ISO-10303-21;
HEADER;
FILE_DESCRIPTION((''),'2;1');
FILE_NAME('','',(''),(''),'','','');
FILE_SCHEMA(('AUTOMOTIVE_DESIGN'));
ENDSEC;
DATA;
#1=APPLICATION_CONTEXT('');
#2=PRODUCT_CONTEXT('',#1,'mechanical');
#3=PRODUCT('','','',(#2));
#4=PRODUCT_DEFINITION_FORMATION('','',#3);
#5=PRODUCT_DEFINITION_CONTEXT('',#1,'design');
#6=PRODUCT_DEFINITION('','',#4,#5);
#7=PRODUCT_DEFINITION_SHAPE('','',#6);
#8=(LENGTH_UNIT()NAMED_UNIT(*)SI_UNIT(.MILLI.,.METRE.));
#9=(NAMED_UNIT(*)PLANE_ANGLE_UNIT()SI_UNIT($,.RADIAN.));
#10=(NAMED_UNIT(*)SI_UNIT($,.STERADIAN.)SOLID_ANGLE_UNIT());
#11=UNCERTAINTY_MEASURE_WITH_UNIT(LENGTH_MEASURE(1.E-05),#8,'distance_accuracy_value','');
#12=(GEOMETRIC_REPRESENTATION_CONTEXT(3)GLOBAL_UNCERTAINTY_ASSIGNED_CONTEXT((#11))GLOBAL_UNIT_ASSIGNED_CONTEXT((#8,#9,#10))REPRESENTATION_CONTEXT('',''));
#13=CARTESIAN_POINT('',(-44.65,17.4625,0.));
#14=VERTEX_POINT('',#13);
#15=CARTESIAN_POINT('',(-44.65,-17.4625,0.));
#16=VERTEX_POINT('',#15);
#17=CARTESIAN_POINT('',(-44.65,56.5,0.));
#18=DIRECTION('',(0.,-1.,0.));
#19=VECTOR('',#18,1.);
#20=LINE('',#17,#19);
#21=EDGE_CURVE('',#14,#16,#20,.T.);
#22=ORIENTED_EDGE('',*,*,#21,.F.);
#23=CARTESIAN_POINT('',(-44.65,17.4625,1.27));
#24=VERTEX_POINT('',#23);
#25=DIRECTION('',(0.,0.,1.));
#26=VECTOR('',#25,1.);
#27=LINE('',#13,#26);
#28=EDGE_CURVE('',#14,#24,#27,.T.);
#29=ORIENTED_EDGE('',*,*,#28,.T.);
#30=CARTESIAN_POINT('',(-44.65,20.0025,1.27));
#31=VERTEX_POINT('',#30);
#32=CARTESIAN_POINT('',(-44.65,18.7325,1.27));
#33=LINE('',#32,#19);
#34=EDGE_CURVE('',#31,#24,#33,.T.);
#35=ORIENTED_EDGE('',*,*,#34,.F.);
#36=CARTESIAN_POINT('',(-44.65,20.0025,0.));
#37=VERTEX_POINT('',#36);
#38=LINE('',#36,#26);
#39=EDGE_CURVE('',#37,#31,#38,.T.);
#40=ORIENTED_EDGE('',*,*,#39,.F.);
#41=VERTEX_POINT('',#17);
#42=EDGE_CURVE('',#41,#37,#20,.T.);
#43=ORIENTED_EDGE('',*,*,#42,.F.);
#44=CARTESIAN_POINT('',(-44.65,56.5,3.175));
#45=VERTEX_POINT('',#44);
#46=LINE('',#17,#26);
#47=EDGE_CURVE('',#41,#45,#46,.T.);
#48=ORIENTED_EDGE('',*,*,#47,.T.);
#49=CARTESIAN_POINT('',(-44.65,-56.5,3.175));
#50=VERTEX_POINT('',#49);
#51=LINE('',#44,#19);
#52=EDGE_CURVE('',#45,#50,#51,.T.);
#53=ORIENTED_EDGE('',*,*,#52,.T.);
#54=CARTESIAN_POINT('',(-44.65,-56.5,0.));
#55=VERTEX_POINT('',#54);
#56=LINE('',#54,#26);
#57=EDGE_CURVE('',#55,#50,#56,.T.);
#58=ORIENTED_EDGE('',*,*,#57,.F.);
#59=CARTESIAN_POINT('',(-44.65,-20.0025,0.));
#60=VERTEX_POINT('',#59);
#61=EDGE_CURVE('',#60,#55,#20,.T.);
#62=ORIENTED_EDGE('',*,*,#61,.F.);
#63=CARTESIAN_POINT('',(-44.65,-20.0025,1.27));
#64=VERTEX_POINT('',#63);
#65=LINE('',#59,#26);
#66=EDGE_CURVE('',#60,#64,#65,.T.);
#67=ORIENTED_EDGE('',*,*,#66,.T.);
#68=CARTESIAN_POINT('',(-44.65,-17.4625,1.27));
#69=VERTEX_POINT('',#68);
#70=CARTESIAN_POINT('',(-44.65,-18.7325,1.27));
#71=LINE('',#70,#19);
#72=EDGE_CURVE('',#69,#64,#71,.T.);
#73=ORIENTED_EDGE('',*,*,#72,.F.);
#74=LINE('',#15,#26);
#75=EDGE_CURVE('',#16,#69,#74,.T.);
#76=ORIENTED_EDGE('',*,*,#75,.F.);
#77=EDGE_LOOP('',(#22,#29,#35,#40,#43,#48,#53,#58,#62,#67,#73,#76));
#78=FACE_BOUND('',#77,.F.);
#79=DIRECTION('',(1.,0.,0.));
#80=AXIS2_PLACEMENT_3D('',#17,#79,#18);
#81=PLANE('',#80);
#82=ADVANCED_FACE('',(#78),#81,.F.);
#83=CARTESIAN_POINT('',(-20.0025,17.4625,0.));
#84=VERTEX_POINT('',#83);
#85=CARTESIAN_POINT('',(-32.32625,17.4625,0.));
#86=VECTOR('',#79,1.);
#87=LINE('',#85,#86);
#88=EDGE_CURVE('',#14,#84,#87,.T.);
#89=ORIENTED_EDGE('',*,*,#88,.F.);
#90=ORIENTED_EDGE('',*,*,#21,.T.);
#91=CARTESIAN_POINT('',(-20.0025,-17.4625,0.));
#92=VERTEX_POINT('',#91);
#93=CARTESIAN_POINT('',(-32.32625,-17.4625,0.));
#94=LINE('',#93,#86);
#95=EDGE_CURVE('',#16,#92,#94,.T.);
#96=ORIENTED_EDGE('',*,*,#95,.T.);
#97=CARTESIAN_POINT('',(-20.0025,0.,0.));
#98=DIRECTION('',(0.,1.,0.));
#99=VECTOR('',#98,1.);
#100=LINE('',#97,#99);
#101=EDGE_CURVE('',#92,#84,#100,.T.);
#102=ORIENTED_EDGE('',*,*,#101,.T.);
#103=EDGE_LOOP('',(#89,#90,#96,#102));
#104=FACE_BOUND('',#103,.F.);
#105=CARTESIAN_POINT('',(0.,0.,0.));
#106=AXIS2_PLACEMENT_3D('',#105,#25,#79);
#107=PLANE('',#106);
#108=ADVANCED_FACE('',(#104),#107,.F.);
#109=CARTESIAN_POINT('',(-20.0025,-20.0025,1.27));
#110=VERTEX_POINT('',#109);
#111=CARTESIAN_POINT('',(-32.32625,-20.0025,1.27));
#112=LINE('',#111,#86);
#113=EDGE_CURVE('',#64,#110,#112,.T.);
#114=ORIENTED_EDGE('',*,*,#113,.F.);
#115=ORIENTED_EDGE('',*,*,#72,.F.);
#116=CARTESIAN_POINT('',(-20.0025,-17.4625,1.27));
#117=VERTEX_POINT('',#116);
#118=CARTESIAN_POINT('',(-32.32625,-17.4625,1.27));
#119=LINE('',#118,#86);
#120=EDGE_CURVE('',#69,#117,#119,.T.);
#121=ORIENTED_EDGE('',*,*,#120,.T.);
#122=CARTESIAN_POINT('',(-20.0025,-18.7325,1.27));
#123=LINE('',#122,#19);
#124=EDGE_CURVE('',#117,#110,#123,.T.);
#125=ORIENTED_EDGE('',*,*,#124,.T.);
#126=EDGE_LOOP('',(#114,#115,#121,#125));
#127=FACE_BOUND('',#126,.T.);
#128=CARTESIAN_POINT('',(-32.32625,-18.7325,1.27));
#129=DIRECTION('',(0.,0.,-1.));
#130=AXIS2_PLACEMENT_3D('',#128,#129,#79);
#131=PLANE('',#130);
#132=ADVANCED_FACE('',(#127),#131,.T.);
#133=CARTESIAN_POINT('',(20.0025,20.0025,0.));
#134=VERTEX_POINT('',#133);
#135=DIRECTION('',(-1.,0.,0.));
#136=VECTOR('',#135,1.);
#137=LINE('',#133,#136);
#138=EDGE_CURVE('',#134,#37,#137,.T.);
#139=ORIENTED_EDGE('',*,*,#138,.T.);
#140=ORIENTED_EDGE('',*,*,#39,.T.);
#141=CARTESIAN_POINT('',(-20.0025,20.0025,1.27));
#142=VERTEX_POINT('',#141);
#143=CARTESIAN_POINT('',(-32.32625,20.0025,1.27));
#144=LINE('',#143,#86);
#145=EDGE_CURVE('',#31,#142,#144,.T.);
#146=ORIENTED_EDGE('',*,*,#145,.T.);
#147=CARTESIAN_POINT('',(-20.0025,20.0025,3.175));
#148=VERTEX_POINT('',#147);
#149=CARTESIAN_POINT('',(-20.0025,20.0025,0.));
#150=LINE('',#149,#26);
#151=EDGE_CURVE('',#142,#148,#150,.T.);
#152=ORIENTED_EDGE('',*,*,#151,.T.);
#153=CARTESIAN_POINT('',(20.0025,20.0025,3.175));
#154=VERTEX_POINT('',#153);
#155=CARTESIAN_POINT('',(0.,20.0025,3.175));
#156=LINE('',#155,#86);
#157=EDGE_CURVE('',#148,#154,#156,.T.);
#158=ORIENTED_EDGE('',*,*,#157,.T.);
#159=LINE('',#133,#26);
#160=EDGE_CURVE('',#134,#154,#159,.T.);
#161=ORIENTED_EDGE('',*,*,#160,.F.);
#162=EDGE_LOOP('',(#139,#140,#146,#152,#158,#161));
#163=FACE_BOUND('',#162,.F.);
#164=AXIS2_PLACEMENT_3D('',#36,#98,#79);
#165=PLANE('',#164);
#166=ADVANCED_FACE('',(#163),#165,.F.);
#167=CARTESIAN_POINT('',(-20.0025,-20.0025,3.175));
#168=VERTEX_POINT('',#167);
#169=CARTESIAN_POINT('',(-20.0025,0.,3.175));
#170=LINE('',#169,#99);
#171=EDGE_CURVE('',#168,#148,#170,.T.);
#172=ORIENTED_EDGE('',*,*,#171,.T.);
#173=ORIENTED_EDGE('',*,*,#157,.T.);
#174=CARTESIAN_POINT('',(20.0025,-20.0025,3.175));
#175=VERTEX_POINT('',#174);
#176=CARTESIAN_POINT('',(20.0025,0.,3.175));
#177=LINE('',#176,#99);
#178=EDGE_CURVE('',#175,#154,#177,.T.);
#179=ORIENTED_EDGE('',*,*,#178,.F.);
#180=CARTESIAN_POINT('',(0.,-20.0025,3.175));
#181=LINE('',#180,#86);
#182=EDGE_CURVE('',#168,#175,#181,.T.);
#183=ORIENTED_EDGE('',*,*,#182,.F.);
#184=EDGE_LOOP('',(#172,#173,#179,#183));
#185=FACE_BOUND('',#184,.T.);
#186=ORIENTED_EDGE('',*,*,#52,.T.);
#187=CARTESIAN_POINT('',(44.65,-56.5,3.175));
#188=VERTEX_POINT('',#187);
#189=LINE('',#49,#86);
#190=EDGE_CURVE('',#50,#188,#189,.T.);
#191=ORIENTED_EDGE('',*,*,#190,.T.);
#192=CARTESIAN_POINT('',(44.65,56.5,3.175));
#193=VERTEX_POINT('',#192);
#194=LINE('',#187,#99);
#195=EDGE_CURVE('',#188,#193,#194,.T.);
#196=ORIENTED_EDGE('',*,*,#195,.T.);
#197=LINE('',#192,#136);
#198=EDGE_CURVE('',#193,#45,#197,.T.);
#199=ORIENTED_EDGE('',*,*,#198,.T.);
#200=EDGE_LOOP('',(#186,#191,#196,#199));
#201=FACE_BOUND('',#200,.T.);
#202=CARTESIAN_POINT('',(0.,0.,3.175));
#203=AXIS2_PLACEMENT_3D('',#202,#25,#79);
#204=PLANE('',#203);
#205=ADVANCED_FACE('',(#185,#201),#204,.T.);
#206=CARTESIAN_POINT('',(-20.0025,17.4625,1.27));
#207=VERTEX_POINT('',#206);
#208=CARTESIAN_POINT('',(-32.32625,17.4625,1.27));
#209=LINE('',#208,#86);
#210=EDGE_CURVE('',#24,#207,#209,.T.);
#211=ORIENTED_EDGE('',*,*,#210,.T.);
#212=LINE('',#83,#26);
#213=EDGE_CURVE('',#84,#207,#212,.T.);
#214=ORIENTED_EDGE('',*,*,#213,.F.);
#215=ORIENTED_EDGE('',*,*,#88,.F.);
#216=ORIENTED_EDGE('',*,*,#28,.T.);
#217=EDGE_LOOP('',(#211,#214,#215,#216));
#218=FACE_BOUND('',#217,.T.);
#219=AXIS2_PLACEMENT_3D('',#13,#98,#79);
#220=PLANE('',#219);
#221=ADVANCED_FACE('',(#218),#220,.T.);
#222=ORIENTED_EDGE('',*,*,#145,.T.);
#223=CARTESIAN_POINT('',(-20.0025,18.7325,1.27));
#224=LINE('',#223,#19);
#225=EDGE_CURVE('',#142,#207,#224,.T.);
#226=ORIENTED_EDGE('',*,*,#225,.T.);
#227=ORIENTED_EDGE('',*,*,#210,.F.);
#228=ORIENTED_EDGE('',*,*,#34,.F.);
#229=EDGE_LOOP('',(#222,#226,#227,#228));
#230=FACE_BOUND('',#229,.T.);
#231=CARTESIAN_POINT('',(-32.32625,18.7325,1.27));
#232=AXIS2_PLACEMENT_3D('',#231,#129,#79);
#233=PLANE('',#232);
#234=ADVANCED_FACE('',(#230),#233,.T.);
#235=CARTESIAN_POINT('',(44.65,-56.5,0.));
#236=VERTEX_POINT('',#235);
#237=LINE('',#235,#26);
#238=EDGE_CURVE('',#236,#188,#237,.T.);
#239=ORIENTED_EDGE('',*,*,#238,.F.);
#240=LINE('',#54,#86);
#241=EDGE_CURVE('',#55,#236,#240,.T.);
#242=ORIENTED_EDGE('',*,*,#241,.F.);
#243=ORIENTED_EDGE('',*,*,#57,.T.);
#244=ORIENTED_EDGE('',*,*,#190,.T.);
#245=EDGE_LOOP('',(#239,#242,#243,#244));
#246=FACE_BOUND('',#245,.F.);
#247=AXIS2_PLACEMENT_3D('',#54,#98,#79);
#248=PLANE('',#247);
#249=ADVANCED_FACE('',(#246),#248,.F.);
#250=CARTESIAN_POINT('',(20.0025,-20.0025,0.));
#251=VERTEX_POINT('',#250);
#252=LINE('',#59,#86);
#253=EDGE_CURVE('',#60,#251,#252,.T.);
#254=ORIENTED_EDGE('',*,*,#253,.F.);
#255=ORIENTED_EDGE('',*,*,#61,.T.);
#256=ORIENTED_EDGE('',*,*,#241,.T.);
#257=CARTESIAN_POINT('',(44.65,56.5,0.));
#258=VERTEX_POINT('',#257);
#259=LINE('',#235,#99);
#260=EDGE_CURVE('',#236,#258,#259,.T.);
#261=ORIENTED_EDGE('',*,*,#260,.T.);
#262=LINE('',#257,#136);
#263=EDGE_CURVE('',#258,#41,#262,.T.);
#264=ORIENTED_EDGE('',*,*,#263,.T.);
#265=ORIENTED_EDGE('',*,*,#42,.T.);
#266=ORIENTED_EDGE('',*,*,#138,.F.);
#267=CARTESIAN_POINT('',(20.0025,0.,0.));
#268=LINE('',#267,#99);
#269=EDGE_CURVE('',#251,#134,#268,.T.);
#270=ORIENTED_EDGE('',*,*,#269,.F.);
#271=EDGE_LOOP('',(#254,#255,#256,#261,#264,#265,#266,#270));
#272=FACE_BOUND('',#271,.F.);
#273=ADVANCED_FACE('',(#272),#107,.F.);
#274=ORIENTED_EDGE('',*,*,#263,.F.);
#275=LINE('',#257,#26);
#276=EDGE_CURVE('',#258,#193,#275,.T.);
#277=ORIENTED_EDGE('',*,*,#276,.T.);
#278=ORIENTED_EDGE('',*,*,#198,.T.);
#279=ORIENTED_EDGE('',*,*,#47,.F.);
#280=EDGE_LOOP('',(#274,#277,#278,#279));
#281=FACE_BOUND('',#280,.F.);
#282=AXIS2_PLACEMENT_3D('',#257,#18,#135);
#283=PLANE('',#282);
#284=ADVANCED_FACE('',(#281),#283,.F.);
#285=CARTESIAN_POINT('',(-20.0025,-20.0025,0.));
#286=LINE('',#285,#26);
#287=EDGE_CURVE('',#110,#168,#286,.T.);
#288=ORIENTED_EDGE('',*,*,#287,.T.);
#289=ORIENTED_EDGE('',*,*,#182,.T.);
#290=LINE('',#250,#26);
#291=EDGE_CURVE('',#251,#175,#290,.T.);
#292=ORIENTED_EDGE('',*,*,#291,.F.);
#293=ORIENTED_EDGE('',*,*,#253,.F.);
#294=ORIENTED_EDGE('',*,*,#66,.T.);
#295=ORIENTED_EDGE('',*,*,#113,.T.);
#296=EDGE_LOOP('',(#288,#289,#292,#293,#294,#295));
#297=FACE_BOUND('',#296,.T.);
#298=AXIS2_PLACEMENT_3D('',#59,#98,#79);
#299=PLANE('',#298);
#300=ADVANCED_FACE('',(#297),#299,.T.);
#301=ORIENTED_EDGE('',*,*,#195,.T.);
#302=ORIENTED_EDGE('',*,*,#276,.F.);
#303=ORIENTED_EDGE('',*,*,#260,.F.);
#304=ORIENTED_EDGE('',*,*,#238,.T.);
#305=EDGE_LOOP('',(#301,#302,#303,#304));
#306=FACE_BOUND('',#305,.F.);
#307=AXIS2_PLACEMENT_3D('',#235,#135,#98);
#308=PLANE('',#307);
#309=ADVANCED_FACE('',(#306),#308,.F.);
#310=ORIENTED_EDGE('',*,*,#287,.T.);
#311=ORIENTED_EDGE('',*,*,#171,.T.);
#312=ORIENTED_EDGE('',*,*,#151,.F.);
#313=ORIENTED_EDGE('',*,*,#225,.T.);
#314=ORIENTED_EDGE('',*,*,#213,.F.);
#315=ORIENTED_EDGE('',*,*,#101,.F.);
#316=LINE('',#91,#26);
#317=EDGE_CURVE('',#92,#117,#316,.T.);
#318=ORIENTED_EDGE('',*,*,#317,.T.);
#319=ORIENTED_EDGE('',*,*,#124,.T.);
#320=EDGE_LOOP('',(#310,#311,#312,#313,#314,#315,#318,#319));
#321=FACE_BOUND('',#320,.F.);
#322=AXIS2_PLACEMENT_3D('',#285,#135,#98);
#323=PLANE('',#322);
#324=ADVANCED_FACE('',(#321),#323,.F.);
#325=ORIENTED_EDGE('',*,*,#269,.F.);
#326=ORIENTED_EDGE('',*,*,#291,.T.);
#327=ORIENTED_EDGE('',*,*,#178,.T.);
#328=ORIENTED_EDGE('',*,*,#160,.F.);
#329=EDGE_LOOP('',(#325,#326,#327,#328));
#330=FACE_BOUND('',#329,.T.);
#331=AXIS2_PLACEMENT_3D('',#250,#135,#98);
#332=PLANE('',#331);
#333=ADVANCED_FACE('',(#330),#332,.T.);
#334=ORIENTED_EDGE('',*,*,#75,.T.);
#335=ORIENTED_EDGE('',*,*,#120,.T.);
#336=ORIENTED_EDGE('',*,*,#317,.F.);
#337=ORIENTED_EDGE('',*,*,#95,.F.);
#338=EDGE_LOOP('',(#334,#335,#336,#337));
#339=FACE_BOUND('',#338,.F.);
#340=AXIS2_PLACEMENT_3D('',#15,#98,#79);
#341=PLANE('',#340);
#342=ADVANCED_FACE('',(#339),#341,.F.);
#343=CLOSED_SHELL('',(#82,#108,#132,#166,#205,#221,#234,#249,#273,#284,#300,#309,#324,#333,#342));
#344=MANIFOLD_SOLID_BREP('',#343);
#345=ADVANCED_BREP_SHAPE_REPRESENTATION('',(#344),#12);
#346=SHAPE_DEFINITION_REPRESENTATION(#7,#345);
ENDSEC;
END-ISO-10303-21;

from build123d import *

# Parameters (mm, degrees)
F0_W     = 40.005
F0_H     = 40.005
F1_DEPTH = 3.175
F2_W     = 24.6475
F2_H     = 2.54
F3_DEPTH = 1.27


with BuildPart() as f1:
    # F0 (on Top) → F1 (new body)
    with BuildSketch(Plane.XY):
        Polygon((-44.65, -20.0025), (-44.65, -56.5), (44.65, -56.5), (44.65, 56.5), (-44.65, 56.5), (-44.65, 20.0025), (-44.65, 17.4625), (-44.65, -17.4625), align=None)
        Rectangle(F0_W, F0_H, mode=Mode.SUBTRACT)
    extrude(amount=F1_DEPTH)

    # F2 (on face) → F3 (cut)
    with BuildSketch(Plane(origin=(0, 0, 0), x_dir=(1, 0, 0), z_dir=(0, 0, -1))):
        with Locations((-32.32625, 18.7325)):
            Rectangle(F2_W, F2_H)
        with Locations((-32.32625, -18.7325)):
            Rectangle(F2_W, F2_H)
    extrude(amount=-F3_DEPTH, mode=Mode.SUBTRACT)


solid = f1.part
